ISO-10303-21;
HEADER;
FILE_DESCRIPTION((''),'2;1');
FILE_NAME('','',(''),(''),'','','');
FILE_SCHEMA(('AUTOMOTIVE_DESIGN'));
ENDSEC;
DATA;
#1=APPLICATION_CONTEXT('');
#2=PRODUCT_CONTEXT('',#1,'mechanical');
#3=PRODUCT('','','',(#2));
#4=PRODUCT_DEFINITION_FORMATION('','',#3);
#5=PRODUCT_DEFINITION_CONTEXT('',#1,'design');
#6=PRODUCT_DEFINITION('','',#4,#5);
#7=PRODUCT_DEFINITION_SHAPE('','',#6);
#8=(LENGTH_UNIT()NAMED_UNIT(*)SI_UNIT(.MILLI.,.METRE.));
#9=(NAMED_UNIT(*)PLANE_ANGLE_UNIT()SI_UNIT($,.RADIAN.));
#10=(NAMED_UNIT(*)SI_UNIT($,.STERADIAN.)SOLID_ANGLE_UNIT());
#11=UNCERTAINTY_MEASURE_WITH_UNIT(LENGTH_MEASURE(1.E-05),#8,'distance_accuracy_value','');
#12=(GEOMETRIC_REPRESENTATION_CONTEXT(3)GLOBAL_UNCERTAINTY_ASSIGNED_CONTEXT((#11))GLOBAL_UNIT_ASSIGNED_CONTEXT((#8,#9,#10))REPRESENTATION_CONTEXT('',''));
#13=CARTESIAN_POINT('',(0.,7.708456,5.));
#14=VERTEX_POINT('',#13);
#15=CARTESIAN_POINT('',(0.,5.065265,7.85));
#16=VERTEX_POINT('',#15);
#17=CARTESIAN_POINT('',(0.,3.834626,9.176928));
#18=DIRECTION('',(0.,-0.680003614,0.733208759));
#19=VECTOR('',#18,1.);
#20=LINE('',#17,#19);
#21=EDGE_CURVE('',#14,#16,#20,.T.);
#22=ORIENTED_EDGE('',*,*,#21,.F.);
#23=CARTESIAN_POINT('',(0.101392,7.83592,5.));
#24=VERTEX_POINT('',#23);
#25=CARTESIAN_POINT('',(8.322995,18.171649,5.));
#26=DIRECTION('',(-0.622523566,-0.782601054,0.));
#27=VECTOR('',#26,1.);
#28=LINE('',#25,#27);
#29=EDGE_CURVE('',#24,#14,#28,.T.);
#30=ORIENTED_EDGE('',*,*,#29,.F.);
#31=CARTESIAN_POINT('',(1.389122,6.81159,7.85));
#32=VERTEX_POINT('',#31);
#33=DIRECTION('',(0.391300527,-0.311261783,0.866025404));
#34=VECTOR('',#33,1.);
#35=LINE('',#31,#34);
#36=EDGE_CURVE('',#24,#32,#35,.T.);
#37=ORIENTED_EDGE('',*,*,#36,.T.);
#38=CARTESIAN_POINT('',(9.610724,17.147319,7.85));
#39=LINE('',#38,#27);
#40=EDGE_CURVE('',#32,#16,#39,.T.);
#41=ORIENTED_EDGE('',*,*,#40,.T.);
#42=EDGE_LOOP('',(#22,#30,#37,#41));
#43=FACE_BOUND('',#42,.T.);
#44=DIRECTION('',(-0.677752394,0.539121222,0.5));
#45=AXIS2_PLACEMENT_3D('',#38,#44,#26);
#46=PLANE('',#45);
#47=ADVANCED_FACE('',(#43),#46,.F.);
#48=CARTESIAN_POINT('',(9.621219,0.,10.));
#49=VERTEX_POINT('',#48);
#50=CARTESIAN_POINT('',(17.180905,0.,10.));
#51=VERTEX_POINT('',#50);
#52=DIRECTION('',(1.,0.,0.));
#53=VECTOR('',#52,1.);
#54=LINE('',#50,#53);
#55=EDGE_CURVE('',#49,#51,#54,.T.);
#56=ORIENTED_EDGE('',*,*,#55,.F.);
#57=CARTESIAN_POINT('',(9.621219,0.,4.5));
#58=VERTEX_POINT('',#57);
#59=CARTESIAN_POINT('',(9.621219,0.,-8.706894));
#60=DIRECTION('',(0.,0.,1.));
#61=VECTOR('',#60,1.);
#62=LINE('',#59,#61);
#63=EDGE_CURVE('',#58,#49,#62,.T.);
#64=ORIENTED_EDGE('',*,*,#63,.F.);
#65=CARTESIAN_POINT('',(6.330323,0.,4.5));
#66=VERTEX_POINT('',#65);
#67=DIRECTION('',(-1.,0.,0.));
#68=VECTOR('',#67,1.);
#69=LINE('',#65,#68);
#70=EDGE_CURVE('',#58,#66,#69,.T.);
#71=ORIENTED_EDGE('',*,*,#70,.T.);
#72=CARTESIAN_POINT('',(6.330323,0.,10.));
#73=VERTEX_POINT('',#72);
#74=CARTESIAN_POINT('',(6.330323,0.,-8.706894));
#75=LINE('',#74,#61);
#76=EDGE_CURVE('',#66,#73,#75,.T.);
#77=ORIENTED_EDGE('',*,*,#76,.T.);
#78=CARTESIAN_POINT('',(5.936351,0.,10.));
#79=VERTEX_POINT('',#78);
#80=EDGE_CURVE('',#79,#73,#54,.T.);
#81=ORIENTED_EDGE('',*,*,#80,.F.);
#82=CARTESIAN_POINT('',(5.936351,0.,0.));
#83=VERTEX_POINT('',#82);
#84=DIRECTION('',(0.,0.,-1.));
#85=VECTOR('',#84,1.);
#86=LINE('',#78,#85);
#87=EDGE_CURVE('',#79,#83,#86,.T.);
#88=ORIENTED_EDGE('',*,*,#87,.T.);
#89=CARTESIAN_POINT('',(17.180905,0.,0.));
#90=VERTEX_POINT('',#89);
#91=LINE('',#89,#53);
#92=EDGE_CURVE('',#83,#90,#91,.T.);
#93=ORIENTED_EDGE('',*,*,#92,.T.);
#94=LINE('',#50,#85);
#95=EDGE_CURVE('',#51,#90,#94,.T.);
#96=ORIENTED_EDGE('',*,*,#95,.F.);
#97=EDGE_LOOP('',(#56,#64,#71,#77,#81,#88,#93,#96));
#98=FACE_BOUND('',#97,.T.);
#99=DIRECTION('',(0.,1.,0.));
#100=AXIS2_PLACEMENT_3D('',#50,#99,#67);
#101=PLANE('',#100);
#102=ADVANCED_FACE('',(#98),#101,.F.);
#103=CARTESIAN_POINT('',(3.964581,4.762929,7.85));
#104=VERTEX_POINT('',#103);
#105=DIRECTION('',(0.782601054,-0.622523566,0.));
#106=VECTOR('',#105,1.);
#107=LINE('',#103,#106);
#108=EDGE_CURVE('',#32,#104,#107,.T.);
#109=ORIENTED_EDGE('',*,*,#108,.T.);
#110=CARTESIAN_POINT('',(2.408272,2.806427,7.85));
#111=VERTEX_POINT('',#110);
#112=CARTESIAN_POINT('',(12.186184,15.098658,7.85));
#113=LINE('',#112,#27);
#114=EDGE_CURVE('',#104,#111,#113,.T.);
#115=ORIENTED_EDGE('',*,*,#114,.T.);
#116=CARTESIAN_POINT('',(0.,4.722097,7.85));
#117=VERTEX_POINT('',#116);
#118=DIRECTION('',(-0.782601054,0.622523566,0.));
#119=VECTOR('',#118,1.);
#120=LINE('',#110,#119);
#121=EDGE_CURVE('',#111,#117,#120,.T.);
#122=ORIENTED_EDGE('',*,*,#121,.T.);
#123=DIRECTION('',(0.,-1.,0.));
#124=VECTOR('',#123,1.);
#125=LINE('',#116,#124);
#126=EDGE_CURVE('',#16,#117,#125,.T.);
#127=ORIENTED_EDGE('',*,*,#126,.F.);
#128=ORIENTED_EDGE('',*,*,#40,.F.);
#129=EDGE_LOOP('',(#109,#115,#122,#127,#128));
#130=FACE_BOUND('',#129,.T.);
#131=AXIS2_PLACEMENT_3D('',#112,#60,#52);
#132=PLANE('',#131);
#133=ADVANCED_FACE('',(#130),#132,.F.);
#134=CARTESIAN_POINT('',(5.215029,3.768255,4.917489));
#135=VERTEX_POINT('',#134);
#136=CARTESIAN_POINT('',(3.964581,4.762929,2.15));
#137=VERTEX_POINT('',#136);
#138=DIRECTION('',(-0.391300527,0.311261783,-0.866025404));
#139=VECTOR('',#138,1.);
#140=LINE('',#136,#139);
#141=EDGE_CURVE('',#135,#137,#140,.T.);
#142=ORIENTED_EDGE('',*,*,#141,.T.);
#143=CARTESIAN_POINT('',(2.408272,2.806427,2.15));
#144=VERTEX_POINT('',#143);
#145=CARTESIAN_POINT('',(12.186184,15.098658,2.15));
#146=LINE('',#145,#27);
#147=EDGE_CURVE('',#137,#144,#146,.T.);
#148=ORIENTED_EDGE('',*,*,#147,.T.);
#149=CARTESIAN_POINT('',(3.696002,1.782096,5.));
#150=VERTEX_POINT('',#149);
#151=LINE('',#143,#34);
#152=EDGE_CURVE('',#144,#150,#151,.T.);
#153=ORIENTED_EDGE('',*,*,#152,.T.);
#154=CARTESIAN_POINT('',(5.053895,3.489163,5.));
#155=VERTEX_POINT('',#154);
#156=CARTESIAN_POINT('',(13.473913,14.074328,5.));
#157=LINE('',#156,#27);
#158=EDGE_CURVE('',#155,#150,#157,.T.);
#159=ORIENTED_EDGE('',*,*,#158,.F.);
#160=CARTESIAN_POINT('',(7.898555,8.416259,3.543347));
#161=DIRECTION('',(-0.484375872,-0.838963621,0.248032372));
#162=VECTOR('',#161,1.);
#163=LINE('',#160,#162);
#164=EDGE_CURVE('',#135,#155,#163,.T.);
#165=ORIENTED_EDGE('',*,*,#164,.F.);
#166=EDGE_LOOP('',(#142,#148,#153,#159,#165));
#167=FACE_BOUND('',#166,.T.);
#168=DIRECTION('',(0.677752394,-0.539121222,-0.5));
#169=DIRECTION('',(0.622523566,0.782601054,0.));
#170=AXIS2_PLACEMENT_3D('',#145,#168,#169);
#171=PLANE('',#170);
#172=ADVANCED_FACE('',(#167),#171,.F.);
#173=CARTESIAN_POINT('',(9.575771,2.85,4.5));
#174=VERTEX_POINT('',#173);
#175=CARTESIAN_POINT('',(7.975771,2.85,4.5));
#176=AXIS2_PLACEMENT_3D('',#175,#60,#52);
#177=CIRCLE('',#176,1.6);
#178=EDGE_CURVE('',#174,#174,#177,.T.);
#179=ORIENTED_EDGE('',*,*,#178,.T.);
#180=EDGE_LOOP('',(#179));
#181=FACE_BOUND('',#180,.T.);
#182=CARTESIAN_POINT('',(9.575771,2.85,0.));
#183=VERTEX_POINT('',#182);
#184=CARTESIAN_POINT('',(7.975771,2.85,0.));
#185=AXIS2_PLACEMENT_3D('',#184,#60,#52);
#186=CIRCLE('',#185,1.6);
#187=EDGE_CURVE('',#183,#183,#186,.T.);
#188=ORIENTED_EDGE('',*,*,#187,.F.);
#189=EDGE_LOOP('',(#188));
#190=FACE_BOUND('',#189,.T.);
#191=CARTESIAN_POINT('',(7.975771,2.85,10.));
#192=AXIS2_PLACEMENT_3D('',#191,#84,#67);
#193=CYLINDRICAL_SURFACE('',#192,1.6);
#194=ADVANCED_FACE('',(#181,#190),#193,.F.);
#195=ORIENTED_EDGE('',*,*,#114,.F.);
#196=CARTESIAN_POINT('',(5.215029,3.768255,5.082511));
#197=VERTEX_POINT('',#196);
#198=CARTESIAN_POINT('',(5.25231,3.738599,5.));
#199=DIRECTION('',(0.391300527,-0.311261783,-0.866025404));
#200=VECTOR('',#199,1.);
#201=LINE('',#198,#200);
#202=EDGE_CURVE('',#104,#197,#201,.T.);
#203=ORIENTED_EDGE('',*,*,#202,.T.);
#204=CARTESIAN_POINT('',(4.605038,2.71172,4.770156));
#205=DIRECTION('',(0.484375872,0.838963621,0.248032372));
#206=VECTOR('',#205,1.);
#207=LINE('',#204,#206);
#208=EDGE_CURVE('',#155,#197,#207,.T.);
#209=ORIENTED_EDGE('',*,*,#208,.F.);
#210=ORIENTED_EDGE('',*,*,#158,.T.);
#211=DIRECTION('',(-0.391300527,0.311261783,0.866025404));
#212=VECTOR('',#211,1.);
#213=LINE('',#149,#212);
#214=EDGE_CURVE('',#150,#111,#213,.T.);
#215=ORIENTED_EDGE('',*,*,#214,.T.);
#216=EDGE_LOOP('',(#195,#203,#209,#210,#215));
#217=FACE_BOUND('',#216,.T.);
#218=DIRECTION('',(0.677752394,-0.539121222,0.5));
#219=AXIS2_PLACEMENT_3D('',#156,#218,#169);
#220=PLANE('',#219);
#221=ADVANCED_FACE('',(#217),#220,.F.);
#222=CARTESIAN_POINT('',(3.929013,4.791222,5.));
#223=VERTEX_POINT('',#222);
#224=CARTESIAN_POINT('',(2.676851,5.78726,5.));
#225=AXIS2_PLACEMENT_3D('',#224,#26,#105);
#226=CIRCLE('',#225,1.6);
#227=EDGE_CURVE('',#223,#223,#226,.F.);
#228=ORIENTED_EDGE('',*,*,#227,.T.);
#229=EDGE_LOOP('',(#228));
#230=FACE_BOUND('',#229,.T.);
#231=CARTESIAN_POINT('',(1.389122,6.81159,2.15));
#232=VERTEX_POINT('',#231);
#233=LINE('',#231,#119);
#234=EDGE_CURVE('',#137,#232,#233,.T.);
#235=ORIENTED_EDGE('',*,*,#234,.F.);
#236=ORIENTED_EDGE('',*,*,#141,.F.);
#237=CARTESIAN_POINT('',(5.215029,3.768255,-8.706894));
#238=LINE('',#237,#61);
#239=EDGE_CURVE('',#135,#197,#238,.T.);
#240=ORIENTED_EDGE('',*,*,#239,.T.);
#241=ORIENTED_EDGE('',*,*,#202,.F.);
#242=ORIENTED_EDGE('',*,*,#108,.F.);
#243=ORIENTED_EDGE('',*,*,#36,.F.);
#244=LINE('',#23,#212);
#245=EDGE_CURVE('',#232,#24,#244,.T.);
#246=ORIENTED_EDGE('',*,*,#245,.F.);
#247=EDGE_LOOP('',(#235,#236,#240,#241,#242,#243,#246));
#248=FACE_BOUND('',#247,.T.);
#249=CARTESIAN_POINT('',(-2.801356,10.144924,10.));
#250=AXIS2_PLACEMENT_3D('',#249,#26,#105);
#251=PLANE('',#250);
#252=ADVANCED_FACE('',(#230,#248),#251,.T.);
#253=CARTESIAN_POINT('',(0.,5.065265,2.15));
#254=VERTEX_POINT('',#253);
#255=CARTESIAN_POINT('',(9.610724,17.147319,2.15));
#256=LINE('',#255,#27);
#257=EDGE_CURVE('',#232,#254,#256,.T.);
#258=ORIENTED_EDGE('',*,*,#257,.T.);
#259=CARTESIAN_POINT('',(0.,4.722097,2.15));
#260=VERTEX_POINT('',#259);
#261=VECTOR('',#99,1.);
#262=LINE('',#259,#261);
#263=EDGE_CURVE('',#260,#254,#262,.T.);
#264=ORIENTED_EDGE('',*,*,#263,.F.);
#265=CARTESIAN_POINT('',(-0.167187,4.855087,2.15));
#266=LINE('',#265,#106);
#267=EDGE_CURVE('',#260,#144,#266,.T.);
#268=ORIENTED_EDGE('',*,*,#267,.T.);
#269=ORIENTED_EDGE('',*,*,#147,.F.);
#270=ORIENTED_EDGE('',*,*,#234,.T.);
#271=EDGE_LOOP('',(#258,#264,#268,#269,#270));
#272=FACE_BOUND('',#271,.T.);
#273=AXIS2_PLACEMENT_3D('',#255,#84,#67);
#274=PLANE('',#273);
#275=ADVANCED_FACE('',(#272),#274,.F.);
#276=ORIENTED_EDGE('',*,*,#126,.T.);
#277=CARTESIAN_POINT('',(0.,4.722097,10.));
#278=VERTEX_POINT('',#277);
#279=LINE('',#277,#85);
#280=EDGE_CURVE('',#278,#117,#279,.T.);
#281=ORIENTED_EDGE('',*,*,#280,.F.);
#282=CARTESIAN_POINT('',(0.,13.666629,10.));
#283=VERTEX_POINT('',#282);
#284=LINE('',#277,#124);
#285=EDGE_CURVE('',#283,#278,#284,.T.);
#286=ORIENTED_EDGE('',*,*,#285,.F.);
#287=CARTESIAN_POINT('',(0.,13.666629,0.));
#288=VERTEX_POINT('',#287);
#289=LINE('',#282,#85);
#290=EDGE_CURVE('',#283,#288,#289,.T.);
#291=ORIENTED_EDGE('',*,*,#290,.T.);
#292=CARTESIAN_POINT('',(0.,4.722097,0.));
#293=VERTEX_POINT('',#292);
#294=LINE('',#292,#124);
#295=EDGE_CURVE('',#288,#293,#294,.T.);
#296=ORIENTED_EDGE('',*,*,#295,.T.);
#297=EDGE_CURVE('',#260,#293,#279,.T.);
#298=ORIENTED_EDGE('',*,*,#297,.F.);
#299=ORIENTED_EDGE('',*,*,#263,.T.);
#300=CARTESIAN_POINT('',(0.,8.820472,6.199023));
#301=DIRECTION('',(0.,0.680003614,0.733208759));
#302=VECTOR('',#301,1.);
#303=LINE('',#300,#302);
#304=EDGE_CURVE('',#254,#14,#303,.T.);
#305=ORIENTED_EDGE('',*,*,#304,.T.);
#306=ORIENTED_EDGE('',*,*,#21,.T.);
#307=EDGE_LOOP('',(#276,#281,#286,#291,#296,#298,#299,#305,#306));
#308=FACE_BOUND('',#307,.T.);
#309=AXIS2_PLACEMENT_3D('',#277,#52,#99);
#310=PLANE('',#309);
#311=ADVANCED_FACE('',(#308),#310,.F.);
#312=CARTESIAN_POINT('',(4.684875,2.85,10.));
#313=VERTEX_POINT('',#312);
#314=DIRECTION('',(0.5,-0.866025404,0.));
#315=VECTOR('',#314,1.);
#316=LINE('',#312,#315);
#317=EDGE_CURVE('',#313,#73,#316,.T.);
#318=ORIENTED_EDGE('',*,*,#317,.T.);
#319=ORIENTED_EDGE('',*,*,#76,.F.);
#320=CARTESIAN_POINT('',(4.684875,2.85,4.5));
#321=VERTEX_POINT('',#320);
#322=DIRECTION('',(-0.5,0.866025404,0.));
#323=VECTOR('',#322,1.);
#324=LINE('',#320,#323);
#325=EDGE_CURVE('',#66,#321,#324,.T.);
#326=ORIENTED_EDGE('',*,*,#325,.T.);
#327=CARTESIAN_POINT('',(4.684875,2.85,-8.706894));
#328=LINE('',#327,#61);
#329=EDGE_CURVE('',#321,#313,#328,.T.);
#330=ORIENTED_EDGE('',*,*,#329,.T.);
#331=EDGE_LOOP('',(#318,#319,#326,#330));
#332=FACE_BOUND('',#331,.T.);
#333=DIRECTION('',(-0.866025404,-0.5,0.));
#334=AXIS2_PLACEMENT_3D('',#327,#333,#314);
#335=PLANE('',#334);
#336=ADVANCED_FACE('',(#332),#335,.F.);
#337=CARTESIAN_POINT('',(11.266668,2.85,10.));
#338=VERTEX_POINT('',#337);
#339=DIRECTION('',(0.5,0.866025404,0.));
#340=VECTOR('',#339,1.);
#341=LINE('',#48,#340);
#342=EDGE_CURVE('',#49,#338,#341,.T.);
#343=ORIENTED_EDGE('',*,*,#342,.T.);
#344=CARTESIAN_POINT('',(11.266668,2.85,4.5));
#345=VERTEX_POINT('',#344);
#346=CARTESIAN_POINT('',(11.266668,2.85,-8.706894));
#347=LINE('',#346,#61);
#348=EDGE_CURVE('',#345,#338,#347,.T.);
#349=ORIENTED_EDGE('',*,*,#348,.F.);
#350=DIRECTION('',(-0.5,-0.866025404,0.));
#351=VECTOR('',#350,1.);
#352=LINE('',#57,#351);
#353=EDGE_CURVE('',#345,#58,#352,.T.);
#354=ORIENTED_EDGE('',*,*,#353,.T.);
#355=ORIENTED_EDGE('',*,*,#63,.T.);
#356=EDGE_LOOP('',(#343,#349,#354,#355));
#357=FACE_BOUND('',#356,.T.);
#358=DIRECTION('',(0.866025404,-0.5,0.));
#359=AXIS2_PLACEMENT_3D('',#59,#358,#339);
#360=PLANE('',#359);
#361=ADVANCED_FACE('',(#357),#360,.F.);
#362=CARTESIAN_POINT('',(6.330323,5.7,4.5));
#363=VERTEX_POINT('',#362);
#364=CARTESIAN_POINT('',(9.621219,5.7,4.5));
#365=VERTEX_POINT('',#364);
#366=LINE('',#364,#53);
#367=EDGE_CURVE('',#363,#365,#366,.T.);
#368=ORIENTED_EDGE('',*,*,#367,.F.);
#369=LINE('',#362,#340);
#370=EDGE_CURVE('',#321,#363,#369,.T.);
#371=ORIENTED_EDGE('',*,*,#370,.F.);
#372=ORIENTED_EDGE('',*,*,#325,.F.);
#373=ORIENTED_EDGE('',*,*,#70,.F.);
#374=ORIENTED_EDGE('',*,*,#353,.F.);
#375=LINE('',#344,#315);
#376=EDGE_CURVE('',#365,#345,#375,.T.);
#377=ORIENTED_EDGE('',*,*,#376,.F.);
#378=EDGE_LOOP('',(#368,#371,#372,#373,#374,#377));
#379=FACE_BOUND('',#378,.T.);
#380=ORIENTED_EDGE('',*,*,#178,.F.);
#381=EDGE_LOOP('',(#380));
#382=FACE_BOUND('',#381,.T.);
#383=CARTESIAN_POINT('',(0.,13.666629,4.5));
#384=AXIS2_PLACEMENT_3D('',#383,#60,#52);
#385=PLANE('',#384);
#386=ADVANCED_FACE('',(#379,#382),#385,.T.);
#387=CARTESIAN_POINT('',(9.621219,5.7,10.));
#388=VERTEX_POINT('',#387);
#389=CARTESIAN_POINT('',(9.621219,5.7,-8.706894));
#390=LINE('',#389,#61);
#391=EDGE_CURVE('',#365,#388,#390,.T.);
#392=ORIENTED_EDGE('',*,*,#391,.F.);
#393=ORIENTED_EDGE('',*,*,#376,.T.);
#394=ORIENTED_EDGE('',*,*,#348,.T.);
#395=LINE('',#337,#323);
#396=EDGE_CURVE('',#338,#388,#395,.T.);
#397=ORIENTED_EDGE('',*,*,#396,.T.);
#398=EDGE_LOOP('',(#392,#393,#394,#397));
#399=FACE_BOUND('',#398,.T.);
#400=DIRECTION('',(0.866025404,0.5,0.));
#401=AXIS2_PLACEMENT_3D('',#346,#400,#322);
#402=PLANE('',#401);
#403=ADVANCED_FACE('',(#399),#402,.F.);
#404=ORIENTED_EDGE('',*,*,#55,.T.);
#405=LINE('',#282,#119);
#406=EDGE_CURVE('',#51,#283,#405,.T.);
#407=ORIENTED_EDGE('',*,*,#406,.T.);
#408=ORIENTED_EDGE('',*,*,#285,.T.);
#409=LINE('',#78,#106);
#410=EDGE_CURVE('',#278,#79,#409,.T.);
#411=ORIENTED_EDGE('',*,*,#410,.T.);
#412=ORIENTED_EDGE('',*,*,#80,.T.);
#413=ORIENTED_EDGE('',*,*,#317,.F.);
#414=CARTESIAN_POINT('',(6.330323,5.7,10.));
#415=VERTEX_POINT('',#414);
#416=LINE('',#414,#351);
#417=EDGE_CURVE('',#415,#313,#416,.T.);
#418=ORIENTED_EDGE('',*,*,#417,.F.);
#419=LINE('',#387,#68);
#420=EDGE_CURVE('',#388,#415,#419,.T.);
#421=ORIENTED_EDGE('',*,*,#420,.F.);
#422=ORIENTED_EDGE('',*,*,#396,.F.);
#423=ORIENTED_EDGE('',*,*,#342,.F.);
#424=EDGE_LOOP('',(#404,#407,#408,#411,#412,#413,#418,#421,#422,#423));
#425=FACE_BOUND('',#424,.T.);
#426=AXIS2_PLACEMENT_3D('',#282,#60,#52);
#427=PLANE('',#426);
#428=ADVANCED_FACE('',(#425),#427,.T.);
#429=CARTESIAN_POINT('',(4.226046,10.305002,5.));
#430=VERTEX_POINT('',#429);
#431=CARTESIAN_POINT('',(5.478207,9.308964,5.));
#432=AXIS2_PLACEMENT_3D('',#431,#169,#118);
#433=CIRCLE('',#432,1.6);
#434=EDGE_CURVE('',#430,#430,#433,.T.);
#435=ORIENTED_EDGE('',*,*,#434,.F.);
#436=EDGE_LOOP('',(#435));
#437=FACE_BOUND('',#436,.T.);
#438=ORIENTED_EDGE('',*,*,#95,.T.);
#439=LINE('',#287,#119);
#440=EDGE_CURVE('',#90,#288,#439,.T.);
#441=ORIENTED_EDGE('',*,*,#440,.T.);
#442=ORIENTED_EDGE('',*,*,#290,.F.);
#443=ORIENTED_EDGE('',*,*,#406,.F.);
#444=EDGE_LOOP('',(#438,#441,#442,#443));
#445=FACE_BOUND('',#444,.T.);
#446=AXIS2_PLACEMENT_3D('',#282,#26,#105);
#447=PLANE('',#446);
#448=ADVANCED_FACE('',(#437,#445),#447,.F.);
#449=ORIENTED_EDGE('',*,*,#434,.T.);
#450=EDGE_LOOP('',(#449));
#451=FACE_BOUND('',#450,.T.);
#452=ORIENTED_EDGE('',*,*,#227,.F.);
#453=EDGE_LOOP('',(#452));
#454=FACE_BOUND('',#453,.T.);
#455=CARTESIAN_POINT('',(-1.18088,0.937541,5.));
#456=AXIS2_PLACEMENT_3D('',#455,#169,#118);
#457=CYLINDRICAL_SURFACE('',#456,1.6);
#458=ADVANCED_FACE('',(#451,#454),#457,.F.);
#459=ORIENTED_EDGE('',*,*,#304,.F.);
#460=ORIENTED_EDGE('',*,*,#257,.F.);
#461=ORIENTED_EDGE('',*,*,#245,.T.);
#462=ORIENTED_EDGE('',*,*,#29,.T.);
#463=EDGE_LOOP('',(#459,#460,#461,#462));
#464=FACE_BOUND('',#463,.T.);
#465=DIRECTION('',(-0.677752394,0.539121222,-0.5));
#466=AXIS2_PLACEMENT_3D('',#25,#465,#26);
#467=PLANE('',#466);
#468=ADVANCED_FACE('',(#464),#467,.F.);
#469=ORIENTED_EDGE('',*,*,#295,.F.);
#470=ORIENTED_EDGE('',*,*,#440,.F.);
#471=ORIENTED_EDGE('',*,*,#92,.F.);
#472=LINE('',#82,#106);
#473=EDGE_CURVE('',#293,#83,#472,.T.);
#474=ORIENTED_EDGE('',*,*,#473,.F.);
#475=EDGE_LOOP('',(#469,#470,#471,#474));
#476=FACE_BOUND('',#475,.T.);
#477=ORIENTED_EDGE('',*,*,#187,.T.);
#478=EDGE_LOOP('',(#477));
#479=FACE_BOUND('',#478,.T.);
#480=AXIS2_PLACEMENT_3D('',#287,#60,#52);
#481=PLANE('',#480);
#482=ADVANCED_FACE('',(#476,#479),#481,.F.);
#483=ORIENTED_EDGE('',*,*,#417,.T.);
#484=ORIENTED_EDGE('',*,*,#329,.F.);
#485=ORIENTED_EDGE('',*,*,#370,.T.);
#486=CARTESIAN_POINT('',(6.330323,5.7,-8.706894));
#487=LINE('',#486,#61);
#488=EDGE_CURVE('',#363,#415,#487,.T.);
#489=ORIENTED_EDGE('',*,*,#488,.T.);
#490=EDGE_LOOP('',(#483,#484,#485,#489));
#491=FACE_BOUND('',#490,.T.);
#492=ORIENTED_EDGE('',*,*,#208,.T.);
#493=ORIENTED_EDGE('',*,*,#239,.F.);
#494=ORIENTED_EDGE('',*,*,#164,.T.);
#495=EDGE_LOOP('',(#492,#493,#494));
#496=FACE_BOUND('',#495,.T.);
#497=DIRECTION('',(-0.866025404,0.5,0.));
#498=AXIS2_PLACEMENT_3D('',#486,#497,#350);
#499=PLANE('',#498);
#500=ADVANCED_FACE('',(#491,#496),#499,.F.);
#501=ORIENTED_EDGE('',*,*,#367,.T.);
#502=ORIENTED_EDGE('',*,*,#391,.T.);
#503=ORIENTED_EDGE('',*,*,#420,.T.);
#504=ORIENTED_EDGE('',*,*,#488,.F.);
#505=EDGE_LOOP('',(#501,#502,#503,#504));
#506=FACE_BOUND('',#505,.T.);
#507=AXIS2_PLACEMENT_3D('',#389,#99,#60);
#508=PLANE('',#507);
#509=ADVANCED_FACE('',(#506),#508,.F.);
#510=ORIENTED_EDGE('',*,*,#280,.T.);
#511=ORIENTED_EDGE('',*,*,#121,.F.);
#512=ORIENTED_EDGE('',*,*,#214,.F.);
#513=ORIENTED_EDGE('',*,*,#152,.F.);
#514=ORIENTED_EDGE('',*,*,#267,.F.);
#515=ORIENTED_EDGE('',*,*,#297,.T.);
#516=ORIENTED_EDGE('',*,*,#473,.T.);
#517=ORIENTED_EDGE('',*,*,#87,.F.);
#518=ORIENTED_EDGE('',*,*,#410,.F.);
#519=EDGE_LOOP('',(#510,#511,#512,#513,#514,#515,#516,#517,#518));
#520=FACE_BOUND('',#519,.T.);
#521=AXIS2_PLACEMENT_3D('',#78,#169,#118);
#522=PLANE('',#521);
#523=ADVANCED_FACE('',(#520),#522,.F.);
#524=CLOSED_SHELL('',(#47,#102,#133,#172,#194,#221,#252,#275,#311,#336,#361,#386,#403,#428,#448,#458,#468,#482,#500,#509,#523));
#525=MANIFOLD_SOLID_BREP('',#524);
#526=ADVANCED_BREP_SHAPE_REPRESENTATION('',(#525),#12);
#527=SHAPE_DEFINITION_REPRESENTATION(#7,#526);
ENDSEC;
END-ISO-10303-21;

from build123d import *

# Parameters (mm, degrees)
CROQUIS1_R              = 1.6
SALIENTE_EXTRUIR1_DEPTH = 10
CORTAR_EXTRUIR1_DEPTH   = 5.5
CORTAR_EXTRUIR2_REACH   = 12.696
CROQUIS3_R              = 1.6
CORTAR_EXTRUIR3_DEPTH   = 2.5


with BuildPart() as part:
    # Croquis1 → Saliente-Extruir1 (new body)
    with BuildSketch(Plane.XY):
        Polygon((17.180905327, 0), (5.936351089, 0), (0, 4.722097457), (0, 13.666629237), align=None)
        with Locations((7.975771065, 2.85)):
            Circle(CROQUIS1_R, mode=Mode.SUBTRACT)
    extrude(amount=SALIENTE_EXTRUIR1_DEPTH)

    # Croquis2 → Cortar-Extruir1 (cut)
    with BuildSketch(Plane.XY.offset(10)):
        Polygon((6.330322798, 0), (9.621219332, 0), (11.2666676, 2.85), (9.621219332, 5.7), (6.330322798, 5.7), (4.684874531, 2.85), align=None)
    extrude(amount=-CORTAR_EXTRUIR1_DEPTH, mode=Mode.SUBTRACT)

    # Croquis3 → Cortar-Extruir2 (cut, up to next)
    with BuildSketch(Plane(origin=(6.658212283, 8.370324012, 0), x_dir=(0.782601054, -0.622523566, 0), z_dir=(0.622523566, 0.782601054, 0)), mode=Mode.PRIVATE) as cortar_extruir2_sk1:
        with Locations((-1.507798766, -5)):
            Circle(CROQUIS3_R)
    cortar_extruir2_tool1 = extrude(cortar_extruir2_sk1.sketch, amount=-CORTAR_EXTRUIR2_REACH, mode=Mode.PRIVATE) & part.part
    add(cortar_extruir2_tool1.solids().sort_by_distance((5.478207, 9.308964, 5))[0], mode=Mode.SUBTRACT)

    # Croquis4 → Cortar-Extruir3 (cut)
    with BuildSketch(Plane(origin=(2.300547322, 2.892116633, 0), x_dir=(0.782601054, -0.622523566, 0), z_dir=(-0.622523566, -0.782601054, 0))):
        Polygon((1.783097769, 5), (0.137649502, 7.85), (-3.153247033, 7.85), (-4.7986953, 5), (-3.153247033, 2.15), (0.137649502, 2.15), align=None)
    extrude(amount=-CORTAR_EXTRUIR3_DEPTH, mode=Mode.SUBTRACT)


solid = part.part
